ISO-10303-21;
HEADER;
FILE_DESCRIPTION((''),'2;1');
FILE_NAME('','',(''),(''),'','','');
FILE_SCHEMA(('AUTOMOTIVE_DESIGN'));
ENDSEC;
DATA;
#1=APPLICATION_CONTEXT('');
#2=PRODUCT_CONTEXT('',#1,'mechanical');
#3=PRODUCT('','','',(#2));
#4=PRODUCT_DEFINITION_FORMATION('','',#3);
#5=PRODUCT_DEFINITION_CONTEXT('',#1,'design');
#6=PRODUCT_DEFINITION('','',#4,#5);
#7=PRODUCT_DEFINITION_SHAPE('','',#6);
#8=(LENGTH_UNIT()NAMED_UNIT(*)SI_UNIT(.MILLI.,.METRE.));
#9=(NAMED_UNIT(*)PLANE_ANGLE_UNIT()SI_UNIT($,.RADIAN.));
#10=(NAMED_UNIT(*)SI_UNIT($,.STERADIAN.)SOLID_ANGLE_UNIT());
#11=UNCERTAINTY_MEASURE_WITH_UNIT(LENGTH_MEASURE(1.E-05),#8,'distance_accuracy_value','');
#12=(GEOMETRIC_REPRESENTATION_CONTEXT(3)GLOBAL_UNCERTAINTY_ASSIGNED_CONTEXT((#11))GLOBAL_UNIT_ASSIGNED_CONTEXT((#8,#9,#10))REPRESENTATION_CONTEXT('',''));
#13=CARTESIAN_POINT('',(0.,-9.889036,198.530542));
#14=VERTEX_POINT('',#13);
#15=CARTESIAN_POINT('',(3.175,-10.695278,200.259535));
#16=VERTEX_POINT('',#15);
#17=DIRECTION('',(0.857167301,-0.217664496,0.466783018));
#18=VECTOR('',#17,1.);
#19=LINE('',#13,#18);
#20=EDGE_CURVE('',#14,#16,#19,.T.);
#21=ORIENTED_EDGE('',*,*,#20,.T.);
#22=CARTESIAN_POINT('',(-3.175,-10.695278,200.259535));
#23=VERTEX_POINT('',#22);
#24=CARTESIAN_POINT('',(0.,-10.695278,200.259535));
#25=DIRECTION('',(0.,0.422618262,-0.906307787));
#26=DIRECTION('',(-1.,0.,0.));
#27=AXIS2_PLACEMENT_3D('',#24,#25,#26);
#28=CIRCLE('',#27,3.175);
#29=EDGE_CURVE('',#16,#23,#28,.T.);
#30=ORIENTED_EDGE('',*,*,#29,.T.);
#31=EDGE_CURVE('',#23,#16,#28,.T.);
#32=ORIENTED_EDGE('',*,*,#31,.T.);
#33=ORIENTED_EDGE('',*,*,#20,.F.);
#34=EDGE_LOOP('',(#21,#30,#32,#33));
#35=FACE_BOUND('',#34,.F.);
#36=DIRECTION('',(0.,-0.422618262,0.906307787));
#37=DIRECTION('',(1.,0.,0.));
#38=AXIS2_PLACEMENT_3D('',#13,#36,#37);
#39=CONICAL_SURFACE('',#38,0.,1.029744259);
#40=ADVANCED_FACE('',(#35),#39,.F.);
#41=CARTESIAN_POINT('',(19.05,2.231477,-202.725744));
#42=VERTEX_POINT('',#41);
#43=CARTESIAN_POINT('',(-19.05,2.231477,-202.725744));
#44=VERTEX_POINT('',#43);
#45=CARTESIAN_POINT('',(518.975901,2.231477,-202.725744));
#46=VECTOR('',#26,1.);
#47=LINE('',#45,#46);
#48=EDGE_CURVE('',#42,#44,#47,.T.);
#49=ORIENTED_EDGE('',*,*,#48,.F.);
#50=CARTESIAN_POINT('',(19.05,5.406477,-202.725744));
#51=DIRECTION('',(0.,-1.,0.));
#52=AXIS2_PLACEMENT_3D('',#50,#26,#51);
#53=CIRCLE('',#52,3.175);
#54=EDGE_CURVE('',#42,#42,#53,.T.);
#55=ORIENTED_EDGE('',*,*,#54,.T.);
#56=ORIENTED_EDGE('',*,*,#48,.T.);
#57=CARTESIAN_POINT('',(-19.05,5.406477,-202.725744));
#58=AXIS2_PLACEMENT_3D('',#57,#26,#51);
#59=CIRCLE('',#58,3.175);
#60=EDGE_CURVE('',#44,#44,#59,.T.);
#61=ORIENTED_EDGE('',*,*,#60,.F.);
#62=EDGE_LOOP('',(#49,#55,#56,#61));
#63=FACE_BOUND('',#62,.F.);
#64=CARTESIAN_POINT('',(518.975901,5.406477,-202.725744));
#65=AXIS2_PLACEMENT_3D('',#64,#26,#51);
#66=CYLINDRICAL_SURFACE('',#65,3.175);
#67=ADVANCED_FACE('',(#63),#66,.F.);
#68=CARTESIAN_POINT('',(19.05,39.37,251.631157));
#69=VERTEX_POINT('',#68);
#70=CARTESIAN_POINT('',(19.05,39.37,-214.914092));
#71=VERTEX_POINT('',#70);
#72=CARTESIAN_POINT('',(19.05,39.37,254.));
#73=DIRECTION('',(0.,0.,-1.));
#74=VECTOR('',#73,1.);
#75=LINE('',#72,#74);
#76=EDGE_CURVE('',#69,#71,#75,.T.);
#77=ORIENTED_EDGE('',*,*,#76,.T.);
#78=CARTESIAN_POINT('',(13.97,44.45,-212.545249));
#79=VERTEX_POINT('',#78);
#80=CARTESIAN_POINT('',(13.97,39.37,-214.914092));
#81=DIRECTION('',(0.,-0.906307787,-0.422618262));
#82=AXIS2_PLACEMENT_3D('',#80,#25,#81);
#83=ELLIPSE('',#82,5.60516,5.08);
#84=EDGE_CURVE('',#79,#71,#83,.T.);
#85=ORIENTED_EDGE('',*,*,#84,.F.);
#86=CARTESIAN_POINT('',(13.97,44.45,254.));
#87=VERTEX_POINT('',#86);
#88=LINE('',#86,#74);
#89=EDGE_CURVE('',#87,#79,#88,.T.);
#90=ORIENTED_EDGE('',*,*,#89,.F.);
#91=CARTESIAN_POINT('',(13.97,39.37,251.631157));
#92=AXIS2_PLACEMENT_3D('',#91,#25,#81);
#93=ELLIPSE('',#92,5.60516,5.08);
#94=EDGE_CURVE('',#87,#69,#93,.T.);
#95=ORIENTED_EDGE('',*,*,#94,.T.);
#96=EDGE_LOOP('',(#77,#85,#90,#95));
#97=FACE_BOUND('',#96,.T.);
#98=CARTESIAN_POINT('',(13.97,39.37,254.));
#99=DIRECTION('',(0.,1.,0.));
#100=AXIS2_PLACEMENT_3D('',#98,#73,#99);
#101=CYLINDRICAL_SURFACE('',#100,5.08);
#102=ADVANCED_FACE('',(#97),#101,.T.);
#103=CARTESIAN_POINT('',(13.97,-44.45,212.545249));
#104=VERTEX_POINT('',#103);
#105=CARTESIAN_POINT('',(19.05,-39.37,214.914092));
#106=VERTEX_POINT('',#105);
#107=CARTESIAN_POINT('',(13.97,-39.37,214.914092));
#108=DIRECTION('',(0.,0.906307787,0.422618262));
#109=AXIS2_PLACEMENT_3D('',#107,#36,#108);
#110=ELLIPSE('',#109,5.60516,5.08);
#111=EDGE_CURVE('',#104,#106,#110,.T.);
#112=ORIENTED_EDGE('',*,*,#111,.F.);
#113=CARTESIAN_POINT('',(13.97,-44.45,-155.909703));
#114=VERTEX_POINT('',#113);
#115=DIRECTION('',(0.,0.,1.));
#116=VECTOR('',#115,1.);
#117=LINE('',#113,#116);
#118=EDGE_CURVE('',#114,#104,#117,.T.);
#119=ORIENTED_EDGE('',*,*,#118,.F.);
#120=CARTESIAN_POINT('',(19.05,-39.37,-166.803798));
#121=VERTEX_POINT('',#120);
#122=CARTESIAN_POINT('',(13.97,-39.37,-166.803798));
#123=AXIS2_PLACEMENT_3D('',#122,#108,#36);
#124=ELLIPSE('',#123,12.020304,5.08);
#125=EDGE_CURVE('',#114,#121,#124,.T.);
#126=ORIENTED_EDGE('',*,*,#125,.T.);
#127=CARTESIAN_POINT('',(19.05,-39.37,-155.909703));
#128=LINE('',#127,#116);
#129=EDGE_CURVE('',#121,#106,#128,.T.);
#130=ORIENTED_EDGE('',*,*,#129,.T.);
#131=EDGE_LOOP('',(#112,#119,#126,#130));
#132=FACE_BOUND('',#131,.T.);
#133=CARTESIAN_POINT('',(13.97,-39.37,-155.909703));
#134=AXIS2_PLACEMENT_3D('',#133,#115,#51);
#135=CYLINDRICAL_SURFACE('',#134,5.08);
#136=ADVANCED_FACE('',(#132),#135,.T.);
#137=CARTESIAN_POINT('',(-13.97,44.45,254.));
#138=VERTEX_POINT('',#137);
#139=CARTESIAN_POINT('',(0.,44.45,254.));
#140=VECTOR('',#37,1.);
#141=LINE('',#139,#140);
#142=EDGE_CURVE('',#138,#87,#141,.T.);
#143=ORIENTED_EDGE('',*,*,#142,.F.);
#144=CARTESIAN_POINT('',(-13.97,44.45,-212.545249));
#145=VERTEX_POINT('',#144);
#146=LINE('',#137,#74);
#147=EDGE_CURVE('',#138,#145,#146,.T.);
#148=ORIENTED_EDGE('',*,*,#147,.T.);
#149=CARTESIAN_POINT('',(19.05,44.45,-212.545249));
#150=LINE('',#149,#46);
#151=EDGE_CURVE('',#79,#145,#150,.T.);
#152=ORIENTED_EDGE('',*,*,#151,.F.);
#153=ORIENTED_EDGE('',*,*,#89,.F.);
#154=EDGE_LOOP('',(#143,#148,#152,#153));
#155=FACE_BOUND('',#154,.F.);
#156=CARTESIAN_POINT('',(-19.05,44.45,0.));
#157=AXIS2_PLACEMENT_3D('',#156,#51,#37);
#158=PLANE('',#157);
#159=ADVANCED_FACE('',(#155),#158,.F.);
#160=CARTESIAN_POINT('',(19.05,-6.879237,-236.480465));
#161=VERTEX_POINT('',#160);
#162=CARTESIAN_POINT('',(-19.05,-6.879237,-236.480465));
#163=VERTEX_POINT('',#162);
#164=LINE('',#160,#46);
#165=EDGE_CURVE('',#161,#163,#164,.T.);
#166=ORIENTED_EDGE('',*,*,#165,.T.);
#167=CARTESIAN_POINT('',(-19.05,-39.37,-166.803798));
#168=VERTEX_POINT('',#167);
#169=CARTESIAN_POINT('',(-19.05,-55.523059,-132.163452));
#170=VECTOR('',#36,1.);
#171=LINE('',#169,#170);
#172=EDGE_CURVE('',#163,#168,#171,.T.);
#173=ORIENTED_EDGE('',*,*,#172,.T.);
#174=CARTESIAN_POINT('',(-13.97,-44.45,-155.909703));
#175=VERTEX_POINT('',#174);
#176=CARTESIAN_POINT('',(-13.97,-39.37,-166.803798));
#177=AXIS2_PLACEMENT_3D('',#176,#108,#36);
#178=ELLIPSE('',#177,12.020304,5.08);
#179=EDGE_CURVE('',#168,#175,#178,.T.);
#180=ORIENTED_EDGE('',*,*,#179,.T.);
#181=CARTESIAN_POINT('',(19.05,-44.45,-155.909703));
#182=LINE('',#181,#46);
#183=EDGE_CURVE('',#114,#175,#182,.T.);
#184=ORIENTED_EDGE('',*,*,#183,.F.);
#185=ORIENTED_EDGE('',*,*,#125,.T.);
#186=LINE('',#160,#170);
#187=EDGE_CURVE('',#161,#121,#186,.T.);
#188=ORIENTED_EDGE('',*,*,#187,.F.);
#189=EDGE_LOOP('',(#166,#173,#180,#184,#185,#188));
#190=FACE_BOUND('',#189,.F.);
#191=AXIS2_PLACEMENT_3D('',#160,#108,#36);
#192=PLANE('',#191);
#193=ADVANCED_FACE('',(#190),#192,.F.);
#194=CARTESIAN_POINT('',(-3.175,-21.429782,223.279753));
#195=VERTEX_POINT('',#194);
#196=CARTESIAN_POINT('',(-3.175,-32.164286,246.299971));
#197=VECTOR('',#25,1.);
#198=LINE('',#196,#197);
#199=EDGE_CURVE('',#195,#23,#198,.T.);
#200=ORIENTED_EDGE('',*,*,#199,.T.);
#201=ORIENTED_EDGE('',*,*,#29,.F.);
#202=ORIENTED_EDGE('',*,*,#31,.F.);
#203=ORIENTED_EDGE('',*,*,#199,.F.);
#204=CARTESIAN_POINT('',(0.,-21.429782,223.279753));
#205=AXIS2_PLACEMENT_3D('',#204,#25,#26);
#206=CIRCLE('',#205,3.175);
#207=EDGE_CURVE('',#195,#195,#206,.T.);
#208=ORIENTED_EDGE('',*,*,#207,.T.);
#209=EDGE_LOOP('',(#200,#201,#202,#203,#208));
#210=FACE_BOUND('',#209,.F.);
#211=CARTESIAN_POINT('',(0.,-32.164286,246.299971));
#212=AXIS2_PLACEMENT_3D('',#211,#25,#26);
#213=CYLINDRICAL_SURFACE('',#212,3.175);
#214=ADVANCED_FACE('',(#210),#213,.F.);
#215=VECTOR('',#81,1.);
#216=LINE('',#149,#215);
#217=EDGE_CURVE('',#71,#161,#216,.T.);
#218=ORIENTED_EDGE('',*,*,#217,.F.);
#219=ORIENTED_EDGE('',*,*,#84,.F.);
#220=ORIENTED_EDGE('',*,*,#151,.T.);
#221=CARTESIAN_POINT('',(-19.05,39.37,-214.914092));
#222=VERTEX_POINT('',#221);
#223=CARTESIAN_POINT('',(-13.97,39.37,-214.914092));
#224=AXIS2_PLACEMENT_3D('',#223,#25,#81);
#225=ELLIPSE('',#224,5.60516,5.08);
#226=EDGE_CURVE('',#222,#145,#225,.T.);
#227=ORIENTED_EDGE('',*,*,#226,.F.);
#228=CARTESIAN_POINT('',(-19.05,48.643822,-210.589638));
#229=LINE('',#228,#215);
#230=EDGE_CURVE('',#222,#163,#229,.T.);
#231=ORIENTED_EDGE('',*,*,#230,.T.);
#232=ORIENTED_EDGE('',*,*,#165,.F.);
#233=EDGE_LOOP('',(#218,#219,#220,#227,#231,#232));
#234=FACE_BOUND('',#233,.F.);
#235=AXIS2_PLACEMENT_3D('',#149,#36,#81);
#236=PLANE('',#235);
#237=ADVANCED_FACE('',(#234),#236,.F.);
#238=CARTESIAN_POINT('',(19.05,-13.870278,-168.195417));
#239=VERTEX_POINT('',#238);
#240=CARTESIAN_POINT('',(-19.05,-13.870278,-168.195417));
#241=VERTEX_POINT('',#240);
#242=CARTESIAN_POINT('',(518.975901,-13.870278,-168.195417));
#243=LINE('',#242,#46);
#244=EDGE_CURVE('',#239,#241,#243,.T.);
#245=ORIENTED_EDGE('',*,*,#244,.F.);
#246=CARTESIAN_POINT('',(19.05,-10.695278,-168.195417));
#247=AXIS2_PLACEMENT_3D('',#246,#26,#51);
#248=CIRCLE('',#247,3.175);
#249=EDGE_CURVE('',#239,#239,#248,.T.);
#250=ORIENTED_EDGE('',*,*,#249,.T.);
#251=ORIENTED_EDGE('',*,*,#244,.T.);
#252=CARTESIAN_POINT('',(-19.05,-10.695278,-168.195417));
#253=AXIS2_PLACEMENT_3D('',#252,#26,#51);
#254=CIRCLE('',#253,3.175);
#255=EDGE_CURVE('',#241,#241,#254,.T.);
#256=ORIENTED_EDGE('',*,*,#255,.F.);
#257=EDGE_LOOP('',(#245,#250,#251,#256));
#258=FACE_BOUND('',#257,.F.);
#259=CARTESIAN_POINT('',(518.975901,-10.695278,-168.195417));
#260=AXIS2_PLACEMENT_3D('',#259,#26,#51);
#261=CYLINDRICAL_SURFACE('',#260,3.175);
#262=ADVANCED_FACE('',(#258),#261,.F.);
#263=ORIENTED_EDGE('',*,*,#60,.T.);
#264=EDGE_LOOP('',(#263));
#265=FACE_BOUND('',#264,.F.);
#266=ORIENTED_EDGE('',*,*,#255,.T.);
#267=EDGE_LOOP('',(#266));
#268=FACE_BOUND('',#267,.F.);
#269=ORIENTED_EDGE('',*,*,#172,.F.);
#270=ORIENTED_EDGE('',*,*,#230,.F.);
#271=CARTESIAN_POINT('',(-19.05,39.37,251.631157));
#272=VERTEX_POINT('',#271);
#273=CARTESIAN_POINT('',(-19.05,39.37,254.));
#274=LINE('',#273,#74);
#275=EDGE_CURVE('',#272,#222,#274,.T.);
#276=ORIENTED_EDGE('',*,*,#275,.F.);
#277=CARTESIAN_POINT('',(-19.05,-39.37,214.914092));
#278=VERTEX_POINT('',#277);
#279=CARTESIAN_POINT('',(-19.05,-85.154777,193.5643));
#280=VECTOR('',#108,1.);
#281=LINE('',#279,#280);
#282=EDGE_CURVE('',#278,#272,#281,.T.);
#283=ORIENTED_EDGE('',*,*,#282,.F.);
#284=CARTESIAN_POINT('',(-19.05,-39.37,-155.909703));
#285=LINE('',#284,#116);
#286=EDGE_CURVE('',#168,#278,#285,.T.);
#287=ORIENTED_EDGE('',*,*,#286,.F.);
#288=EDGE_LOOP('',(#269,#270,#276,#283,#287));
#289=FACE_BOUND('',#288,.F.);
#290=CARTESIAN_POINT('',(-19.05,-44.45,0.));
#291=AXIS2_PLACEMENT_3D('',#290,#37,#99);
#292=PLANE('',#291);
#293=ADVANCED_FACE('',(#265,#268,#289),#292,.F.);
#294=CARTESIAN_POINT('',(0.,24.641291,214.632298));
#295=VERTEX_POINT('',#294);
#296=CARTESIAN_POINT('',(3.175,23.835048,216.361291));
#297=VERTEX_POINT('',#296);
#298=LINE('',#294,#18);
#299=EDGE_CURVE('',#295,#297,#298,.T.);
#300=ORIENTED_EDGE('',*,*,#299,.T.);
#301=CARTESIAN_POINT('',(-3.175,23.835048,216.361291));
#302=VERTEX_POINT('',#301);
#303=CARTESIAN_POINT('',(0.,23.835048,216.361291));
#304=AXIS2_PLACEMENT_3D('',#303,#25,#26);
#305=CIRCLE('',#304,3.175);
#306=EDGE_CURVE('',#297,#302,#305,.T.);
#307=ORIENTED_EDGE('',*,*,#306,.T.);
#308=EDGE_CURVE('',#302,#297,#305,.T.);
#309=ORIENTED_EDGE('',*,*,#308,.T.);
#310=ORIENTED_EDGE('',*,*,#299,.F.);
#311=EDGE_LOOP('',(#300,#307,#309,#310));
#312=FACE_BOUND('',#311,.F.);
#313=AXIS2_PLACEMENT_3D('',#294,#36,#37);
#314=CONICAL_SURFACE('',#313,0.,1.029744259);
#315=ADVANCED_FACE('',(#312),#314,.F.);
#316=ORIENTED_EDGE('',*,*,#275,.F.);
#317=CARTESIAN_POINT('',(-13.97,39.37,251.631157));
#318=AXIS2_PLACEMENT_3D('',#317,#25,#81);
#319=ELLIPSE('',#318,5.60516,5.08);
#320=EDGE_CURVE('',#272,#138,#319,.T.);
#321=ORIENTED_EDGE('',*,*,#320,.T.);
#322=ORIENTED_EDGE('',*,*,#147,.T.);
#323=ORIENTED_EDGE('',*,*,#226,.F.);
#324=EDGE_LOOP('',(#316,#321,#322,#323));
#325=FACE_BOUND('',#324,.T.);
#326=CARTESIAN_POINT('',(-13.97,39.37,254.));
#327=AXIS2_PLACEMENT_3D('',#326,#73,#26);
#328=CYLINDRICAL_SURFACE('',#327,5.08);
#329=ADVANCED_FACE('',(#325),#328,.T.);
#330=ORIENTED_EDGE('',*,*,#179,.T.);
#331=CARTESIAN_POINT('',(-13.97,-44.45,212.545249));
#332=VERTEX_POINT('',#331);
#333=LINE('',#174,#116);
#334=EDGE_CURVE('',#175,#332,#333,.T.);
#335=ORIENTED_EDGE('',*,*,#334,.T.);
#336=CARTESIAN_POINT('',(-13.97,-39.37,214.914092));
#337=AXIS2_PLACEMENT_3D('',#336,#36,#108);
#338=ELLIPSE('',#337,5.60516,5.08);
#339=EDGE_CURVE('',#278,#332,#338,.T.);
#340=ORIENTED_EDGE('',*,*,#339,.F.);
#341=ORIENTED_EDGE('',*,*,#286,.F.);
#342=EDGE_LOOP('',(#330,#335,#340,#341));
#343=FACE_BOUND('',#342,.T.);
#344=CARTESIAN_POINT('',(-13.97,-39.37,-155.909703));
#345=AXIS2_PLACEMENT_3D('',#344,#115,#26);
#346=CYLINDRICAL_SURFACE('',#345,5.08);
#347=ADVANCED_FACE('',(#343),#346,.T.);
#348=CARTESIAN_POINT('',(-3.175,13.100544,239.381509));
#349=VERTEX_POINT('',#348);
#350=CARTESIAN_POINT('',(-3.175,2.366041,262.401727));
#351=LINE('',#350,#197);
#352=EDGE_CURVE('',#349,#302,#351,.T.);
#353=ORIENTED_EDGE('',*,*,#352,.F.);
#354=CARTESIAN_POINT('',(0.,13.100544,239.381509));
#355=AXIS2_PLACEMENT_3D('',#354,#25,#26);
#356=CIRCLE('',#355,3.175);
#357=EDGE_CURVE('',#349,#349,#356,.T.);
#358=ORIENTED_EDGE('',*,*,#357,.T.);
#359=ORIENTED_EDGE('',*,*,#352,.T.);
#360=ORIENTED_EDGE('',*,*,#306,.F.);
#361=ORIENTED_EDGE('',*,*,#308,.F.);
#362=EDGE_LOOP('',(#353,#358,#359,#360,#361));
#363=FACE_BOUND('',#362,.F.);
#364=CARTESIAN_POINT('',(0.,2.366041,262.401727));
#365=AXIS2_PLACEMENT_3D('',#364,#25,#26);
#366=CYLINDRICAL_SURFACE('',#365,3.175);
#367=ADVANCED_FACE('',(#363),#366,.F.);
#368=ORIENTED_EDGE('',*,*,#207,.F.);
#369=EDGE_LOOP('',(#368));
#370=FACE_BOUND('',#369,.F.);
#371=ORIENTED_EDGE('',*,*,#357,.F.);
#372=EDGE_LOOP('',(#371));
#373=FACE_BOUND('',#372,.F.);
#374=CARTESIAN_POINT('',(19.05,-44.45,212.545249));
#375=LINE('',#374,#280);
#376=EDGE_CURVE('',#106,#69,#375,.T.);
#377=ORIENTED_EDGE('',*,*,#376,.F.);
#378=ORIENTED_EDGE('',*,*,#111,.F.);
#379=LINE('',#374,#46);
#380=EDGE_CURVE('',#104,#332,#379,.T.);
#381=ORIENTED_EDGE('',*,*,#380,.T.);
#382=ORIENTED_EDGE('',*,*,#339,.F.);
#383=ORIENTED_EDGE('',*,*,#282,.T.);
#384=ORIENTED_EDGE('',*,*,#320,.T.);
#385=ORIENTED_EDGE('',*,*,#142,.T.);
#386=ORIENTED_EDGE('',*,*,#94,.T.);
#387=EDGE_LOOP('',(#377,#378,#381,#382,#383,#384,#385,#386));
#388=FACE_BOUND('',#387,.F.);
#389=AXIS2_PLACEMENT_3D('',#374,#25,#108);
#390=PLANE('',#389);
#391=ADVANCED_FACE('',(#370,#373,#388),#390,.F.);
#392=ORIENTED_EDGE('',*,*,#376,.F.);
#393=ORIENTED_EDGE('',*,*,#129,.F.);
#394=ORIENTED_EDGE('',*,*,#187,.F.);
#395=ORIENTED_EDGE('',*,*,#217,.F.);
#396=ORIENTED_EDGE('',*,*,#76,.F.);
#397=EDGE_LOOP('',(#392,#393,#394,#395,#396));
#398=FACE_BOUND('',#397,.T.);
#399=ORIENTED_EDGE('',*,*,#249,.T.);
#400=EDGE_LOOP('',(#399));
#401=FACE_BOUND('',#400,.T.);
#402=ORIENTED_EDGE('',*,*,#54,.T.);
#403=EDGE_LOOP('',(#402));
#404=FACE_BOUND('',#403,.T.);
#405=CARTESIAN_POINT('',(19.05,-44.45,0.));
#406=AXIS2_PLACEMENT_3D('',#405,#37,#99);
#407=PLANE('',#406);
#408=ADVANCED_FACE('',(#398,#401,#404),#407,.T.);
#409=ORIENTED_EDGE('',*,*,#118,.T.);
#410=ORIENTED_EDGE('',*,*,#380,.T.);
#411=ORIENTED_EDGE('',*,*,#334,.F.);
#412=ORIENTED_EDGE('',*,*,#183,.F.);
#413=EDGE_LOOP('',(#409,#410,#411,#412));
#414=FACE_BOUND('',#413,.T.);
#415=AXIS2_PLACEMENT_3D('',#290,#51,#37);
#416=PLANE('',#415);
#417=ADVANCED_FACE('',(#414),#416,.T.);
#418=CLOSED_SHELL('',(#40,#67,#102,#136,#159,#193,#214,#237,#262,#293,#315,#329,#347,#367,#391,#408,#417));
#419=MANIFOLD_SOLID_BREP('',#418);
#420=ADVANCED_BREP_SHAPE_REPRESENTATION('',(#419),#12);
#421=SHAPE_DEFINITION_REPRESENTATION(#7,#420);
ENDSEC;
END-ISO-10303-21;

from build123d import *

# Parameters (mm, degrees)
F0_W     = 38.1
F0_H     = 88.9
F1_DEPTH = 254
F3_DEPTH = 38.101
F5_D     = 6.35
F6_R     = 5.08
F8_D     = 6.35
F8_DEPTH = 25.4
F8_TIP   = 1.9077324654


with BuildPart() as f1:
    # F0 (on Top) → F1 (new body, symmetric)
    with BuildSketch(Plane.XY):
        Rectangle(F0_W, F0_H)
    extrude(amount=F1_DEPTH, both=True)

    # F2 (on face) → F3 (cut, through all)
    with BuildSketch(Plane.YZ.offset(19.05)):
        Polygon((-44.45, 254), (-44.45, 212.54524919), (44.45, 254), align=None)
        Polygon((-6.8792365313, -236.4804652718), (-44.45, -254), (44.45, -254), (44.45, -212.54524919), align=None)
        Polygon((-44.45, -155.9097030042), (-44.45, -254), (-6.8792365313, -236.4804652718), align=None)
    extrude(amount=-F3_DEPTH, mode=Mode.SUBTRACT)

    # F5 (through all)
    with Locations(Plane.YZ.offset(19.05)):
        with Locations((-10.6952783611, -168.1954169468), (5.4064774113, -202.7257436328)):
            Hole(F5_D / 2)

    # F6
    f6_edges = [f1.edges().sort_by_distance(p)[0] for p in [
        (19.05, -44.45, 28.317773),
        (-19.05, -44.45, 28.317773),
        (19.05, 44.45, 20.727375),
        (-19.05, 44.45, 20.727375),
    ]]
    fillet(f6_edges, radius=F6_R)

    # F8
    with Locations(Plane(origin=(0, -89.3485989014, 191.6086886819), x_dir=(1, 0, 0), z_dir=(0, -0.4226182617, 0.906307787))):
        with Locations((0, 113.0401226202), (0, 74.9401226202)):
            Hole(F8_D / 2, depth=F8_DEPTH)
            with Locations((0, 0, -(F8_DEPTH + F8_TIP / 2))):  # 118° drill point
                Cone(0, F8_D / 2, F8_TIP, mode=Mode.SUBTRACT)


solid = f1.part
